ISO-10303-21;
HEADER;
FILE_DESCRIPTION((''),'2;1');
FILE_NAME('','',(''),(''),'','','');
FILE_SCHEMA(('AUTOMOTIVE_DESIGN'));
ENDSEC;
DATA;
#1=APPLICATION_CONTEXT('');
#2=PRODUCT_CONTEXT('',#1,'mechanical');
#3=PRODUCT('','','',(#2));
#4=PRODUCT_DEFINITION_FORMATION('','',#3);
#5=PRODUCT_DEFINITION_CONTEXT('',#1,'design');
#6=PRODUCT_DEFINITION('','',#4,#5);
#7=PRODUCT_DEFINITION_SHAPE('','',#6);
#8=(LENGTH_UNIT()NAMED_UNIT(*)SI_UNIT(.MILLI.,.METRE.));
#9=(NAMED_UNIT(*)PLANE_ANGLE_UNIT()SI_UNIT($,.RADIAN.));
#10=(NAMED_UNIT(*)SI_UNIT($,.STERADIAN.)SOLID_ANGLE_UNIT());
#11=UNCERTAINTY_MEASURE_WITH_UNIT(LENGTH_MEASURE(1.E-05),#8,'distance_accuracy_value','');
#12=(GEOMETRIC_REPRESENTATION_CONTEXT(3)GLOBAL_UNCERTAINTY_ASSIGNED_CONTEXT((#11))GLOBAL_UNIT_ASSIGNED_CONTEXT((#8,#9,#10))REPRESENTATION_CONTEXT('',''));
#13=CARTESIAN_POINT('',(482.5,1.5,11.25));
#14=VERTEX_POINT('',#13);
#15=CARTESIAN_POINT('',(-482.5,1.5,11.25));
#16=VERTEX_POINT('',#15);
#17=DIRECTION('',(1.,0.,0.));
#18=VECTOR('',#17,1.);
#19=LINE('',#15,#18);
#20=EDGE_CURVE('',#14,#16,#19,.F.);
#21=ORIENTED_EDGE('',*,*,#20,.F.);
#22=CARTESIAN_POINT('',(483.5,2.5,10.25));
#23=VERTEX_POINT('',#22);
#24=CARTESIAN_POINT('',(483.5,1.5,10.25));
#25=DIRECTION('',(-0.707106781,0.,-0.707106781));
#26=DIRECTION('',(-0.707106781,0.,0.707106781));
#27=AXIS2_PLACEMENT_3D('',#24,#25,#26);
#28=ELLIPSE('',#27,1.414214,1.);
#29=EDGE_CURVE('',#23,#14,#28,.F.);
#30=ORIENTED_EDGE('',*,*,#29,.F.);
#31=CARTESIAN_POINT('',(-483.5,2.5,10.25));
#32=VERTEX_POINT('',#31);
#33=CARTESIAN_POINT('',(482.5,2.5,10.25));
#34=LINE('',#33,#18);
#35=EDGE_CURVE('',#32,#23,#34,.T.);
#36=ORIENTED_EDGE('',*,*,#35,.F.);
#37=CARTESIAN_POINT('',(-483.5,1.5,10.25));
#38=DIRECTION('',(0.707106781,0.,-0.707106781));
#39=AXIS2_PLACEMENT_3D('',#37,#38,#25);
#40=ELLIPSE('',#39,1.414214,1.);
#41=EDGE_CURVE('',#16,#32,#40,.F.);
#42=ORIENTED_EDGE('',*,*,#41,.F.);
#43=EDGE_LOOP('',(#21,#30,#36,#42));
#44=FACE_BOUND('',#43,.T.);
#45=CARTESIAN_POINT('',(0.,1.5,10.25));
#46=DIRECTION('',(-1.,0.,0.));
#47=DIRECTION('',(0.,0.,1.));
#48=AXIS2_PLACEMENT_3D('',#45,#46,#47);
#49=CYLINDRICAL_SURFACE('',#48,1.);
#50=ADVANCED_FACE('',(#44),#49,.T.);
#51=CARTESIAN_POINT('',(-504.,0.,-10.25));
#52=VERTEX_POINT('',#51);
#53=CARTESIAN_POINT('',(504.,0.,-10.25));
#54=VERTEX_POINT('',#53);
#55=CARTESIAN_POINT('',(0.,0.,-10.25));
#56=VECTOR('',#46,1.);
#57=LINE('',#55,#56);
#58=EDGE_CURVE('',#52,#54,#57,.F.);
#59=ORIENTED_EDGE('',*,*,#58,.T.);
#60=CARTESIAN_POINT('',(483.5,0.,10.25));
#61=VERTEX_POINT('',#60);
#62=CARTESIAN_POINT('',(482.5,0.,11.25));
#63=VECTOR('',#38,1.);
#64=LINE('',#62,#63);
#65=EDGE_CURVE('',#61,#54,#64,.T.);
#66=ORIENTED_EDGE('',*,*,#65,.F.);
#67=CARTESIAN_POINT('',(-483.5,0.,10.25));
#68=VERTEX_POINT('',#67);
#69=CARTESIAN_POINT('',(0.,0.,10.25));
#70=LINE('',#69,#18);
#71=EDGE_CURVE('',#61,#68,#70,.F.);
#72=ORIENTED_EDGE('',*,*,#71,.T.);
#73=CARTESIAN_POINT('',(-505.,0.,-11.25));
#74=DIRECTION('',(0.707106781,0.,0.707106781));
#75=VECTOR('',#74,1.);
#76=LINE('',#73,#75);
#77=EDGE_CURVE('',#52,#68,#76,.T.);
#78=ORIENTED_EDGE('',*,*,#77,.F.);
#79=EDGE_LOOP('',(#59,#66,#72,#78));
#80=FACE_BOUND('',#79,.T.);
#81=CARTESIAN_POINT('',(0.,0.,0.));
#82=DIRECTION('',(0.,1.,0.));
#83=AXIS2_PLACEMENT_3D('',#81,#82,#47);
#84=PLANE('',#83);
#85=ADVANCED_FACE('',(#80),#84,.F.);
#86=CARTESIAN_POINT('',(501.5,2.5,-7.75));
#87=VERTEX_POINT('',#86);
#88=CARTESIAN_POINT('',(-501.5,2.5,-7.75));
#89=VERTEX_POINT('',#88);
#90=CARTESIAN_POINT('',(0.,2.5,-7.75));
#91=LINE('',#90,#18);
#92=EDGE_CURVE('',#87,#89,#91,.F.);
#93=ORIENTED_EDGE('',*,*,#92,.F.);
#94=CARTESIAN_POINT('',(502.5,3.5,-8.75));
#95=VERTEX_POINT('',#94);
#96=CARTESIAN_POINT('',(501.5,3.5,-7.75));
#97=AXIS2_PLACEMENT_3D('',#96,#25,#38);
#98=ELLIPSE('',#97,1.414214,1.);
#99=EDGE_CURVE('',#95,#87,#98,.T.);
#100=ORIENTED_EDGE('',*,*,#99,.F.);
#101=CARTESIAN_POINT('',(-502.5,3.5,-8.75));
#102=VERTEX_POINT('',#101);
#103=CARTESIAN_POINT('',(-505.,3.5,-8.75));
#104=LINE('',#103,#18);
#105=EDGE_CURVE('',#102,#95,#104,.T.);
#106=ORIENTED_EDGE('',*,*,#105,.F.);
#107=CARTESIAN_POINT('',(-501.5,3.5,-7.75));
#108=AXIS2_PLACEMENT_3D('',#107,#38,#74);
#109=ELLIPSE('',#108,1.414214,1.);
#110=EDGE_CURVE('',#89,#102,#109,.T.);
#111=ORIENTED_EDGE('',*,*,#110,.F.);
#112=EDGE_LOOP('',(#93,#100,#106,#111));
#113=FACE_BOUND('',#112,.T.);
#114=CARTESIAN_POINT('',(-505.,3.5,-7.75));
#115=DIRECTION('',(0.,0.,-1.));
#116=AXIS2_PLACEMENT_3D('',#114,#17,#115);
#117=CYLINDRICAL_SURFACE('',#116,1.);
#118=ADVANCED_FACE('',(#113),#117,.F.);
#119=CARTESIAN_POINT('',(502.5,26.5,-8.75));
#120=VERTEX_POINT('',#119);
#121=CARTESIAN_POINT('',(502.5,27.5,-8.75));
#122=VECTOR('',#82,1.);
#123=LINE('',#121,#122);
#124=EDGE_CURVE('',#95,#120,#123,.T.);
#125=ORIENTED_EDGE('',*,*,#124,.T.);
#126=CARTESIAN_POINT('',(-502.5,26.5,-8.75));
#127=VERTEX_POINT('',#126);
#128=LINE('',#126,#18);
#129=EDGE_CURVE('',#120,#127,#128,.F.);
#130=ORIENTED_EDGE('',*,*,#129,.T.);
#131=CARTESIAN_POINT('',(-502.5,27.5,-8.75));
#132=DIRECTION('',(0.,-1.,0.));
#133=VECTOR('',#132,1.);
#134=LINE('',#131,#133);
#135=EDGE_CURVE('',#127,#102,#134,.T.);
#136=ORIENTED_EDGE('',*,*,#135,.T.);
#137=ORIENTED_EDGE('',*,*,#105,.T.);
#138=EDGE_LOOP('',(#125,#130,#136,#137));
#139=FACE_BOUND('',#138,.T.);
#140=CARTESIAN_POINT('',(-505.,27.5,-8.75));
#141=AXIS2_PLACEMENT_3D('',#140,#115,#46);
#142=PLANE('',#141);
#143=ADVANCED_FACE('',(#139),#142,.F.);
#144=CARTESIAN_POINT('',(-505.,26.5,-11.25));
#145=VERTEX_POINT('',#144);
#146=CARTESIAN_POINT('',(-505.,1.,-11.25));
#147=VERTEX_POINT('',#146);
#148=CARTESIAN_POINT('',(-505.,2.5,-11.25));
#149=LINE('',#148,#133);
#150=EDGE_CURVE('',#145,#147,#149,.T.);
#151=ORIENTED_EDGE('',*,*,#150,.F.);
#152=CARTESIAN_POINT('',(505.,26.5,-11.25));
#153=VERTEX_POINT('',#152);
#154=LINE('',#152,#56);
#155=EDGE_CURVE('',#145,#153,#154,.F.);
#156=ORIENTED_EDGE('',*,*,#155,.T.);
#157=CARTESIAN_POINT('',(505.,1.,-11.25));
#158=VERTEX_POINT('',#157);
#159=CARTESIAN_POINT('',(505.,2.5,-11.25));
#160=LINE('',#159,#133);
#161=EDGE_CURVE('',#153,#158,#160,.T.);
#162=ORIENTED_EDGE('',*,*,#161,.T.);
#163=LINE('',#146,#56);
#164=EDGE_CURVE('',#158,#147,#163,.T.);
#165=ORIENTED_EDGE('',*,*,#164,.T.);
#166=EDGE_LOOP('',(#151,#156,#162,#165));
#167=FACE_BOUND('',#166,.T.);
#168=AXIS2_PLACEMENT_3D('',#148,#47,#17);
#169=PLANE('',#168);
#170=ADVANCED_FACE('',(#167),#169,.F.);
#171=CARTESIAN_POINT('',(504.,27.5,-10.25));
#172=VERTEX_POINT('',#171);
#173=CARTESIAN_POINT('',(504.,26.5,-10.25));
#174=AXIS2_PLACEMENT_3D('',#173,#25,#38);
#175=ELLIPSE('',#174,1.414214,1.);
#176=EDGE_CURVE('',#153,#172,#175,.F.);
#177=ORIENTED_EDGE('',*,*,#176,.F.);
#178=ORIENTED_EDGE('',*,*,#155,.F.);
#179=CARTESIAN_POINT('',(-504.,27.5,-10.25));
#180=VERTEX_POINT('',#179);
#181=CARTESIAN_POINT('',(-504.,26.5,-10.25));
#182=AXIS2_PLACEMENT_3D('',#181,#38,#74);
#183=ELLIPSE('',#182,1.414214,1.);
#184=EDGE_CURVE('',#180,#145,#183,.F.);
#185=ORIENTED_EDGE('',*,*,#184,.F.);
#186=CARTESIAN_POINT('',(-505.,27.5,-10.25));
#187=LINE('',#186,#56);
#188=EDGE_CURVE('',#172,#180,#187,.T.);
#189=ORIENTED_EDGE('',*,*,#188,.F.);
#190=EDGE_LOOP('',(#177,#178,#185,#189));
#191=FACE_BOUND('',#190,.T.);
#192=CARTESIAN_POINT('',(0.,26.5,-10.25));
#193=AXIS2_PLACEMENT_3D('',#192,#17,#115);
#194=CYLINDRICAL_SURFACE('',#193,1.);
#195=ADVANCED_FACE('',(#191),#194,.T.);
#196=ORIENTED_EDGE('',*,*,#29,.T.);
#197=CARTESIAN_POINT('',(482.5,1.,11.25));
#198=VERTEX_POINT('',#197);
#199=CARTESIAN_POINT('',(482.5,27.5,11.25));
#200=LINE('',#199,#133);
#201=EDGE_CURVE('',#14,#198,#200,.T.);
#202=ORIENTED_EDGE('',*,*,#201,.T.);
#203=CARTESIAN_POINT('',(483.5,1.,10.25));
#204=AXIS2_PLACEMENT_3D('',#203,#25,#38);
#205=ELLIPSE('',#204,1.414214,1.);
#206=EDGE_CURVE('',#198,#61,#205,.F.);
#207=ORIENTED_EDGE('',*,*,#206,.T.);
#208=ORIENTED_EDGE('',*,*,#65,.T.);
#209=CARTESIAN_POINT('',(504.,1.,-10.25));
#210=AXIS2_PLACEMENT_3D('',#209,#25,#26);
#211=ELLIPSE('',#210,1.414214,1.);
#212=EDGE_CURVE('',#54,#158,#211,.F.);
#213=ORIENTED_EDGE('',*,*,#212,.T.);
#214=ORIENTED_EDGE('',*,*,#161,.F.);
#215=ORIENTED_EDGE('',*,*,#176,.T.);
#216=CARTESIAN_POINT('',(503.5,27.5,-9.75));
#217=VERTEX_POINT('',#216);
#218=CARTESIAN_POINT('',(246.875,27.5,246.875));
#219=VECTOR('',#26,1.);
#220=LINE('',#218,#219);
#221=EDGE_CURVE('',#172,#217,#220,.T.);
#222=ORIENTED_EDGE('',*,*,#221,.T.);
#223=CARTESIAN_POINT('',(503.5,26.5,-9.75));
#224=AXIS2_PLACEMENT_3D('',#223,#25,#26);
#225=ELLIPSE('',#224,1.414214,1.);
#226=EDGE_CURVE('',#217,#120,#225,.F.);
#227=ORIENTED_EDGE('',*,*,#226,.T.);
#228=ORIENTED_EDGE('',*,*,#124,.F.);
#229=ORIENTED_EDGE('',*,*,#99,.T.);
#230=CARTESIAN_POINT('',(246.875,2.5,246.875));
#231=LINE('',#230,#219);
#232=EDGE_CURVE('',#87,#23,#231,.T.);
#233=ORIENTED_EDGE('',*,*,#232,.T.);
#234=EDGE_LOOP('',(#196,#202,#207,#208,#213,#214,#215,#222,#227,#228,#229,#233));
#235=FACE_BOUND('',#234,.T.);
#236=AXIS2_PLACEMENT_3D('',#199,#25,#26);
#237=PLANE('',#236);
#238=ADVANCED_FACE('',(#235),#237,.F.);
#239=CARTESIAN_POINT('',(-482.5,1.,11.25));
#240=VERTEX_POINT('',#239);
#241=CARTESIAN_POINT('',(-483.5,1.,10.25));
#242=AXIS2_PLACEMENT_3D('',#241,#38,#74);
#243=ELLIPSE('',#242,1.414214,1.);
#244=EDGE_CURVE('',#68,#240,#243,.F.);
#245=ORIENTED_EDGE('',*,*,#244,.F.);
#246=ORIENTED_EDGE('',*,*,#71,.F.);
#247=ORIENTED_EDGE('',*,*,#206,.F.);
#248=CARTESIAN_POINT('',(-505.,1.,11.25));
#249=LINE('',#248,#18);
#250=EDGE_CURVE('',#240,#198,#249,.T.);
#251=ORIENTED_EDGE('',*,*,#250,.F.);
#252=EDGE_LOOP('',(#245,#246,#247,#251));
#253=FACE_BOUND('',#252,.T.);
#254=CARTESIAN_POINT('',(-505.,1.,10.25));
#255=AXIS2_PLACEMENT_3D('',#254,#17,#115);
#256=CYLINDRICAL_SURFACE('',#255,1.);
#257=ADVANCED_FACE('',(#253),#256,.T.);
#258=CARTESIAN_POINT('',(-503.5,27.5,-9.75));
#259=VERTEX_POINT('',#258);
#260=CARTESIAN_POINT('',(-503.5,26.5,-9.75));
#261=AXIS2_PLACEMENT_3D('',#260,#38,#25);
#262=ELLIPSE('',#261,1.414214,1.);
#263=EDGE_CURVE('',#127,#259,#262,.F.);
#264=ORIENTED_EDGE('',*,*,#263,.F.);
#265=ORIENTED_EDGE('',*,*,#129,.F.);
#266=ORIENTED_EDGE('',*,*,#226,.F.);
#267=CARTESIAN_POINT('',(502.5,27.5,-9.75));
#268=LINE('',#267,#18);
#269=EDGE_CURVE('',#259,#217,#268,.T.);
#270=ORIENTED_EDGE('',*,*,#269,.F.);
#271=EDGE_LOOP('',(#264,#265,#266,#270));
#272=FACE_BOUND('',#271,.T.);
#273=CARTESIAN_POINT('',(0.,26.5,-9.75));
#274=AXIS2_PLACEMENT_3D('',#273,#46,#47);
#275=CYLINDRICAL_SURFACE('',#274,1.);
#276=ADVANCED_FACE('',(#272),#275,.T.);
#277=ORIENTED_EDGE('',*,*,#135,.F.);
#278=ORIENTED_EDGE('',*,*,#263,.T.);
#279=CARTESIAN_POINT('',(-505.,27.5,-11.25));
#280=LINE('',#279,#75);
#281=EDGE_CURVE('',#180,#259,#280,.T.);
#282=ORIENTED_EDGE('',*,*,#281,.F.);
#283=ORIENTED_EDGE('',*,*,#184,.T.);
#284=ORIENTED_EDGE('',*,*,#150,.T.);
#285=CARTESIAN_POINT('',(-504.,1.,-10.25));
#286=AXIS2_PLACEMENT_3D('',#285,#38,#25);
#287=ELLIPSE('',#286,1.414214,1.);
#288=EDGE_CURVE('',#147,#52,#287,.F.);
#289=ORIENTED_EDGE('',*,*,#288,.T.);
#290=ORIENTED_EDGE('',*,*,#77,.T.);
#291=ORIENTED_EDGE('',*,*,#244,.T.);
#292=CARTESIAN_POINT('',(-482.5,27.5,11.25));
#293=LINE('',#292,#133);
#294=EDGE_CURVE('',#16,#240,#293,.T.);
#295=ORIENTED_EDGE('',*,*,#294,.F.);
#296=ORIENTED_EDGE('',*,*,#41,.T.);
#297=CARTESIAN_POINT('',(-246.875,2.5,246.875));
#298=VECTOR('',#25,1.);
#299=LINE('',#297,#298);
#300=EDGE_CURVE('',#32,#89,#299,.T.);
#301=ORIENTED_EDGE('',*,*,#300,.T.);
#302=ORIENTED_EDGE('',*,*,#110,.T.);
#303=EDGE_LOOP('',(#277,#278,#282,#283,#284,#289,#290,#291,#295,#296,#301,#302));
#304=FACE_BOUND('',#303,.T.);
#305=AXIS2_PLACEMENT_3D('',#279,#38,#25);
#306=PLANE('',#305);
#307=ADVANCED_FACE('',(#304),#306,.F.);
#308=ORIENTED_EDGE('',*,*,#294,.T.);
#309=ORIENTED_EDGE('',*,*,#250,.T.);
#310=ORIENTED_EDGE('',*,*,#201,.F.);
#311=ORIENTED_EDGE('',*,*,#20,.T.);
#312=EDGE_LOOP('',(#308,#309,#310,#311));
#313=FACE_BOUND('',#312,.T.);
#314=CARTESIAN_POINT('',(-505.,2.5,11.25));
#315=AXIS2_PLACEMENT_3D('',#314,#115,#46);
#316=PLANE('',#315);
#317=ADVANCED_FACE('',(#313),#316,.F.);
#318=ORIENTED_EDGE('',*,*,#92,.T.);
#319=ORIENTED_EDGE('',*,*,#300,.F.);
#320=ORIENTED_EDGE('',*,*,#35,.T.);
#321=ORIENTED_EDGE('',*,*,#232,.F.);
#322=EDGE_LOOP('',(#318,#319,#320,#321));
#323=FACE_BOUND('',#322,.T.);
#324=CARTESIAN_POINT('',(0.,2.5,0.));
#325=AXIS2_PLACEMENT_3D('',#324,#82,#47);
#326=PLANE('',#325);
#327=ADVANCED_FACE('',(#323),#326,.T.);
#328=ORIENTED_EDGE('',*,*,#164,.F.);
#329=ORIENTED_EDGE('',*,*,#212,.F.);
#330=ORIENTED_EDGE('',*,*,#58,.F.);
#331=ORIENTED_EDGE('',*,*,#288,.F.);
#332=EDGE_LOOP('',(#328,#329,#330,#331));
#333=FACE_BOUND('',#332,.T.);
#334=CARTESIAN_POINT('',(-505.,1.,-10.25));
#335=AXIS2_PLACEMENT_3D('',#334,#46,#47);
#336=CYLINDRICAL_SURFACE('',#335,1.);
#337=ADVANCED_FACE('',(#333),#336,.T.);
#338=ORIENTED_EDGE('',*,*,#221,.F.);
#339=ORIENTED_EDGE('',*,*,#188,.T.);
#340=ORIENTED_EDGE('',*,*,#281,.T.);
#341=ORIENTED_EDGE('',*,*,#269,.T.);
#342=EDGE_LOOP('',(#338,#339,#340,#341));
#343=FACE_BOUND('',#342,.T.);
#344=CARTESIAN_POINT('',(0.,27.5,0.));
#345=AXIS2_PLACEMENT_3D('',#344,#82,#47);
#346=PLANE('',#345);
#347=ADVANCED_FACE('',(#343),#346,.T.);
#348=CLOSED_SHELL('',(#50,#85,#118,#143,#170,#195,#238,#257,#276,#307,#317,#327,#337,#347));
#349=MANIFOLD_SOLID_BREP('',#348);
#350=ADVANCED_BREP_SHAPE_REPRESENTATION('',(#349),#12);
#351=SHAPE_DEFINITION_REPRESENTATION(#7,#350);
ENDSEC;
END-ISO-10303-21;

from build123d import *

# Parameters (mm, degrees)
SKETCH1_W           = 1010
SKETCH1_H           = 22.5
BOSS_EXTRUDE1_DEPTH = 2.5
SKETCH2_W           = 1010
SKETCH2_H           = 2.5
BOSS_EXTRUDE2_DEPTH = 25
CUT_EXTRUDE1_DEPTH  = 506.873316652
FILLET1_R           = 1


with BuildPart() as part:
    # Sketch1 → Boss-Extrude1 (new body)
    with BuildSketch(Plane(origin=(0, 0, 0), x_dir=(1, 0, 0), z_dir=(0, 1, 0))):
        Rectangle(SKETCH1_W, SKETCH1_H)
    extrude(amount=BOSS_EXTRUDE1_DEPTH)

    # Sketch2 → Boss-Extrude2 (add)
    with BuildSketch(Plane(origin=(0, 2.5, 0), x_dir=(1, 0, 0), z_dir=(0, 1, 0))):
        with Locations((0, 10)):
            Rectangle(SKETCH2_W, SKETCH2_H)
    extrude(amount=BOSS_EXTRUDE2_DEPTH)

    # Sketch3 → Cut-Extrude1 (cut, through all)
    with BuildSketch(Plane(origin=(0, 0, 0), x_dir=(-1, 0, 0), z_dir=(0, -1, 0))):
        Polygon((505, 11.25), (505, -11.25), (482.5, -11.25), align=None)
        Polygon((-505, 11.25), (-505, -11.25), (-482.5, -11.25), align=None)
    extrude(amount=-CUT_EXTRUDE1_DEPTH, mode=Mode.SUBTRACT)

    # Fillet1
    fillet1_edges = [part.edges().sort_by_distance(p)[0] for p in [
        (0, 27.5, -11.25),
        (0, 27.5, -8.75),
        (0, 2.5, -8.75),
        (0, 0, 11.25),
        (0, 2.5, 11.25),
        (0, 0, -11.25),
    ]]
    fillet(fillet1_edges, radius=FILLET1_R)


solid = part.part
